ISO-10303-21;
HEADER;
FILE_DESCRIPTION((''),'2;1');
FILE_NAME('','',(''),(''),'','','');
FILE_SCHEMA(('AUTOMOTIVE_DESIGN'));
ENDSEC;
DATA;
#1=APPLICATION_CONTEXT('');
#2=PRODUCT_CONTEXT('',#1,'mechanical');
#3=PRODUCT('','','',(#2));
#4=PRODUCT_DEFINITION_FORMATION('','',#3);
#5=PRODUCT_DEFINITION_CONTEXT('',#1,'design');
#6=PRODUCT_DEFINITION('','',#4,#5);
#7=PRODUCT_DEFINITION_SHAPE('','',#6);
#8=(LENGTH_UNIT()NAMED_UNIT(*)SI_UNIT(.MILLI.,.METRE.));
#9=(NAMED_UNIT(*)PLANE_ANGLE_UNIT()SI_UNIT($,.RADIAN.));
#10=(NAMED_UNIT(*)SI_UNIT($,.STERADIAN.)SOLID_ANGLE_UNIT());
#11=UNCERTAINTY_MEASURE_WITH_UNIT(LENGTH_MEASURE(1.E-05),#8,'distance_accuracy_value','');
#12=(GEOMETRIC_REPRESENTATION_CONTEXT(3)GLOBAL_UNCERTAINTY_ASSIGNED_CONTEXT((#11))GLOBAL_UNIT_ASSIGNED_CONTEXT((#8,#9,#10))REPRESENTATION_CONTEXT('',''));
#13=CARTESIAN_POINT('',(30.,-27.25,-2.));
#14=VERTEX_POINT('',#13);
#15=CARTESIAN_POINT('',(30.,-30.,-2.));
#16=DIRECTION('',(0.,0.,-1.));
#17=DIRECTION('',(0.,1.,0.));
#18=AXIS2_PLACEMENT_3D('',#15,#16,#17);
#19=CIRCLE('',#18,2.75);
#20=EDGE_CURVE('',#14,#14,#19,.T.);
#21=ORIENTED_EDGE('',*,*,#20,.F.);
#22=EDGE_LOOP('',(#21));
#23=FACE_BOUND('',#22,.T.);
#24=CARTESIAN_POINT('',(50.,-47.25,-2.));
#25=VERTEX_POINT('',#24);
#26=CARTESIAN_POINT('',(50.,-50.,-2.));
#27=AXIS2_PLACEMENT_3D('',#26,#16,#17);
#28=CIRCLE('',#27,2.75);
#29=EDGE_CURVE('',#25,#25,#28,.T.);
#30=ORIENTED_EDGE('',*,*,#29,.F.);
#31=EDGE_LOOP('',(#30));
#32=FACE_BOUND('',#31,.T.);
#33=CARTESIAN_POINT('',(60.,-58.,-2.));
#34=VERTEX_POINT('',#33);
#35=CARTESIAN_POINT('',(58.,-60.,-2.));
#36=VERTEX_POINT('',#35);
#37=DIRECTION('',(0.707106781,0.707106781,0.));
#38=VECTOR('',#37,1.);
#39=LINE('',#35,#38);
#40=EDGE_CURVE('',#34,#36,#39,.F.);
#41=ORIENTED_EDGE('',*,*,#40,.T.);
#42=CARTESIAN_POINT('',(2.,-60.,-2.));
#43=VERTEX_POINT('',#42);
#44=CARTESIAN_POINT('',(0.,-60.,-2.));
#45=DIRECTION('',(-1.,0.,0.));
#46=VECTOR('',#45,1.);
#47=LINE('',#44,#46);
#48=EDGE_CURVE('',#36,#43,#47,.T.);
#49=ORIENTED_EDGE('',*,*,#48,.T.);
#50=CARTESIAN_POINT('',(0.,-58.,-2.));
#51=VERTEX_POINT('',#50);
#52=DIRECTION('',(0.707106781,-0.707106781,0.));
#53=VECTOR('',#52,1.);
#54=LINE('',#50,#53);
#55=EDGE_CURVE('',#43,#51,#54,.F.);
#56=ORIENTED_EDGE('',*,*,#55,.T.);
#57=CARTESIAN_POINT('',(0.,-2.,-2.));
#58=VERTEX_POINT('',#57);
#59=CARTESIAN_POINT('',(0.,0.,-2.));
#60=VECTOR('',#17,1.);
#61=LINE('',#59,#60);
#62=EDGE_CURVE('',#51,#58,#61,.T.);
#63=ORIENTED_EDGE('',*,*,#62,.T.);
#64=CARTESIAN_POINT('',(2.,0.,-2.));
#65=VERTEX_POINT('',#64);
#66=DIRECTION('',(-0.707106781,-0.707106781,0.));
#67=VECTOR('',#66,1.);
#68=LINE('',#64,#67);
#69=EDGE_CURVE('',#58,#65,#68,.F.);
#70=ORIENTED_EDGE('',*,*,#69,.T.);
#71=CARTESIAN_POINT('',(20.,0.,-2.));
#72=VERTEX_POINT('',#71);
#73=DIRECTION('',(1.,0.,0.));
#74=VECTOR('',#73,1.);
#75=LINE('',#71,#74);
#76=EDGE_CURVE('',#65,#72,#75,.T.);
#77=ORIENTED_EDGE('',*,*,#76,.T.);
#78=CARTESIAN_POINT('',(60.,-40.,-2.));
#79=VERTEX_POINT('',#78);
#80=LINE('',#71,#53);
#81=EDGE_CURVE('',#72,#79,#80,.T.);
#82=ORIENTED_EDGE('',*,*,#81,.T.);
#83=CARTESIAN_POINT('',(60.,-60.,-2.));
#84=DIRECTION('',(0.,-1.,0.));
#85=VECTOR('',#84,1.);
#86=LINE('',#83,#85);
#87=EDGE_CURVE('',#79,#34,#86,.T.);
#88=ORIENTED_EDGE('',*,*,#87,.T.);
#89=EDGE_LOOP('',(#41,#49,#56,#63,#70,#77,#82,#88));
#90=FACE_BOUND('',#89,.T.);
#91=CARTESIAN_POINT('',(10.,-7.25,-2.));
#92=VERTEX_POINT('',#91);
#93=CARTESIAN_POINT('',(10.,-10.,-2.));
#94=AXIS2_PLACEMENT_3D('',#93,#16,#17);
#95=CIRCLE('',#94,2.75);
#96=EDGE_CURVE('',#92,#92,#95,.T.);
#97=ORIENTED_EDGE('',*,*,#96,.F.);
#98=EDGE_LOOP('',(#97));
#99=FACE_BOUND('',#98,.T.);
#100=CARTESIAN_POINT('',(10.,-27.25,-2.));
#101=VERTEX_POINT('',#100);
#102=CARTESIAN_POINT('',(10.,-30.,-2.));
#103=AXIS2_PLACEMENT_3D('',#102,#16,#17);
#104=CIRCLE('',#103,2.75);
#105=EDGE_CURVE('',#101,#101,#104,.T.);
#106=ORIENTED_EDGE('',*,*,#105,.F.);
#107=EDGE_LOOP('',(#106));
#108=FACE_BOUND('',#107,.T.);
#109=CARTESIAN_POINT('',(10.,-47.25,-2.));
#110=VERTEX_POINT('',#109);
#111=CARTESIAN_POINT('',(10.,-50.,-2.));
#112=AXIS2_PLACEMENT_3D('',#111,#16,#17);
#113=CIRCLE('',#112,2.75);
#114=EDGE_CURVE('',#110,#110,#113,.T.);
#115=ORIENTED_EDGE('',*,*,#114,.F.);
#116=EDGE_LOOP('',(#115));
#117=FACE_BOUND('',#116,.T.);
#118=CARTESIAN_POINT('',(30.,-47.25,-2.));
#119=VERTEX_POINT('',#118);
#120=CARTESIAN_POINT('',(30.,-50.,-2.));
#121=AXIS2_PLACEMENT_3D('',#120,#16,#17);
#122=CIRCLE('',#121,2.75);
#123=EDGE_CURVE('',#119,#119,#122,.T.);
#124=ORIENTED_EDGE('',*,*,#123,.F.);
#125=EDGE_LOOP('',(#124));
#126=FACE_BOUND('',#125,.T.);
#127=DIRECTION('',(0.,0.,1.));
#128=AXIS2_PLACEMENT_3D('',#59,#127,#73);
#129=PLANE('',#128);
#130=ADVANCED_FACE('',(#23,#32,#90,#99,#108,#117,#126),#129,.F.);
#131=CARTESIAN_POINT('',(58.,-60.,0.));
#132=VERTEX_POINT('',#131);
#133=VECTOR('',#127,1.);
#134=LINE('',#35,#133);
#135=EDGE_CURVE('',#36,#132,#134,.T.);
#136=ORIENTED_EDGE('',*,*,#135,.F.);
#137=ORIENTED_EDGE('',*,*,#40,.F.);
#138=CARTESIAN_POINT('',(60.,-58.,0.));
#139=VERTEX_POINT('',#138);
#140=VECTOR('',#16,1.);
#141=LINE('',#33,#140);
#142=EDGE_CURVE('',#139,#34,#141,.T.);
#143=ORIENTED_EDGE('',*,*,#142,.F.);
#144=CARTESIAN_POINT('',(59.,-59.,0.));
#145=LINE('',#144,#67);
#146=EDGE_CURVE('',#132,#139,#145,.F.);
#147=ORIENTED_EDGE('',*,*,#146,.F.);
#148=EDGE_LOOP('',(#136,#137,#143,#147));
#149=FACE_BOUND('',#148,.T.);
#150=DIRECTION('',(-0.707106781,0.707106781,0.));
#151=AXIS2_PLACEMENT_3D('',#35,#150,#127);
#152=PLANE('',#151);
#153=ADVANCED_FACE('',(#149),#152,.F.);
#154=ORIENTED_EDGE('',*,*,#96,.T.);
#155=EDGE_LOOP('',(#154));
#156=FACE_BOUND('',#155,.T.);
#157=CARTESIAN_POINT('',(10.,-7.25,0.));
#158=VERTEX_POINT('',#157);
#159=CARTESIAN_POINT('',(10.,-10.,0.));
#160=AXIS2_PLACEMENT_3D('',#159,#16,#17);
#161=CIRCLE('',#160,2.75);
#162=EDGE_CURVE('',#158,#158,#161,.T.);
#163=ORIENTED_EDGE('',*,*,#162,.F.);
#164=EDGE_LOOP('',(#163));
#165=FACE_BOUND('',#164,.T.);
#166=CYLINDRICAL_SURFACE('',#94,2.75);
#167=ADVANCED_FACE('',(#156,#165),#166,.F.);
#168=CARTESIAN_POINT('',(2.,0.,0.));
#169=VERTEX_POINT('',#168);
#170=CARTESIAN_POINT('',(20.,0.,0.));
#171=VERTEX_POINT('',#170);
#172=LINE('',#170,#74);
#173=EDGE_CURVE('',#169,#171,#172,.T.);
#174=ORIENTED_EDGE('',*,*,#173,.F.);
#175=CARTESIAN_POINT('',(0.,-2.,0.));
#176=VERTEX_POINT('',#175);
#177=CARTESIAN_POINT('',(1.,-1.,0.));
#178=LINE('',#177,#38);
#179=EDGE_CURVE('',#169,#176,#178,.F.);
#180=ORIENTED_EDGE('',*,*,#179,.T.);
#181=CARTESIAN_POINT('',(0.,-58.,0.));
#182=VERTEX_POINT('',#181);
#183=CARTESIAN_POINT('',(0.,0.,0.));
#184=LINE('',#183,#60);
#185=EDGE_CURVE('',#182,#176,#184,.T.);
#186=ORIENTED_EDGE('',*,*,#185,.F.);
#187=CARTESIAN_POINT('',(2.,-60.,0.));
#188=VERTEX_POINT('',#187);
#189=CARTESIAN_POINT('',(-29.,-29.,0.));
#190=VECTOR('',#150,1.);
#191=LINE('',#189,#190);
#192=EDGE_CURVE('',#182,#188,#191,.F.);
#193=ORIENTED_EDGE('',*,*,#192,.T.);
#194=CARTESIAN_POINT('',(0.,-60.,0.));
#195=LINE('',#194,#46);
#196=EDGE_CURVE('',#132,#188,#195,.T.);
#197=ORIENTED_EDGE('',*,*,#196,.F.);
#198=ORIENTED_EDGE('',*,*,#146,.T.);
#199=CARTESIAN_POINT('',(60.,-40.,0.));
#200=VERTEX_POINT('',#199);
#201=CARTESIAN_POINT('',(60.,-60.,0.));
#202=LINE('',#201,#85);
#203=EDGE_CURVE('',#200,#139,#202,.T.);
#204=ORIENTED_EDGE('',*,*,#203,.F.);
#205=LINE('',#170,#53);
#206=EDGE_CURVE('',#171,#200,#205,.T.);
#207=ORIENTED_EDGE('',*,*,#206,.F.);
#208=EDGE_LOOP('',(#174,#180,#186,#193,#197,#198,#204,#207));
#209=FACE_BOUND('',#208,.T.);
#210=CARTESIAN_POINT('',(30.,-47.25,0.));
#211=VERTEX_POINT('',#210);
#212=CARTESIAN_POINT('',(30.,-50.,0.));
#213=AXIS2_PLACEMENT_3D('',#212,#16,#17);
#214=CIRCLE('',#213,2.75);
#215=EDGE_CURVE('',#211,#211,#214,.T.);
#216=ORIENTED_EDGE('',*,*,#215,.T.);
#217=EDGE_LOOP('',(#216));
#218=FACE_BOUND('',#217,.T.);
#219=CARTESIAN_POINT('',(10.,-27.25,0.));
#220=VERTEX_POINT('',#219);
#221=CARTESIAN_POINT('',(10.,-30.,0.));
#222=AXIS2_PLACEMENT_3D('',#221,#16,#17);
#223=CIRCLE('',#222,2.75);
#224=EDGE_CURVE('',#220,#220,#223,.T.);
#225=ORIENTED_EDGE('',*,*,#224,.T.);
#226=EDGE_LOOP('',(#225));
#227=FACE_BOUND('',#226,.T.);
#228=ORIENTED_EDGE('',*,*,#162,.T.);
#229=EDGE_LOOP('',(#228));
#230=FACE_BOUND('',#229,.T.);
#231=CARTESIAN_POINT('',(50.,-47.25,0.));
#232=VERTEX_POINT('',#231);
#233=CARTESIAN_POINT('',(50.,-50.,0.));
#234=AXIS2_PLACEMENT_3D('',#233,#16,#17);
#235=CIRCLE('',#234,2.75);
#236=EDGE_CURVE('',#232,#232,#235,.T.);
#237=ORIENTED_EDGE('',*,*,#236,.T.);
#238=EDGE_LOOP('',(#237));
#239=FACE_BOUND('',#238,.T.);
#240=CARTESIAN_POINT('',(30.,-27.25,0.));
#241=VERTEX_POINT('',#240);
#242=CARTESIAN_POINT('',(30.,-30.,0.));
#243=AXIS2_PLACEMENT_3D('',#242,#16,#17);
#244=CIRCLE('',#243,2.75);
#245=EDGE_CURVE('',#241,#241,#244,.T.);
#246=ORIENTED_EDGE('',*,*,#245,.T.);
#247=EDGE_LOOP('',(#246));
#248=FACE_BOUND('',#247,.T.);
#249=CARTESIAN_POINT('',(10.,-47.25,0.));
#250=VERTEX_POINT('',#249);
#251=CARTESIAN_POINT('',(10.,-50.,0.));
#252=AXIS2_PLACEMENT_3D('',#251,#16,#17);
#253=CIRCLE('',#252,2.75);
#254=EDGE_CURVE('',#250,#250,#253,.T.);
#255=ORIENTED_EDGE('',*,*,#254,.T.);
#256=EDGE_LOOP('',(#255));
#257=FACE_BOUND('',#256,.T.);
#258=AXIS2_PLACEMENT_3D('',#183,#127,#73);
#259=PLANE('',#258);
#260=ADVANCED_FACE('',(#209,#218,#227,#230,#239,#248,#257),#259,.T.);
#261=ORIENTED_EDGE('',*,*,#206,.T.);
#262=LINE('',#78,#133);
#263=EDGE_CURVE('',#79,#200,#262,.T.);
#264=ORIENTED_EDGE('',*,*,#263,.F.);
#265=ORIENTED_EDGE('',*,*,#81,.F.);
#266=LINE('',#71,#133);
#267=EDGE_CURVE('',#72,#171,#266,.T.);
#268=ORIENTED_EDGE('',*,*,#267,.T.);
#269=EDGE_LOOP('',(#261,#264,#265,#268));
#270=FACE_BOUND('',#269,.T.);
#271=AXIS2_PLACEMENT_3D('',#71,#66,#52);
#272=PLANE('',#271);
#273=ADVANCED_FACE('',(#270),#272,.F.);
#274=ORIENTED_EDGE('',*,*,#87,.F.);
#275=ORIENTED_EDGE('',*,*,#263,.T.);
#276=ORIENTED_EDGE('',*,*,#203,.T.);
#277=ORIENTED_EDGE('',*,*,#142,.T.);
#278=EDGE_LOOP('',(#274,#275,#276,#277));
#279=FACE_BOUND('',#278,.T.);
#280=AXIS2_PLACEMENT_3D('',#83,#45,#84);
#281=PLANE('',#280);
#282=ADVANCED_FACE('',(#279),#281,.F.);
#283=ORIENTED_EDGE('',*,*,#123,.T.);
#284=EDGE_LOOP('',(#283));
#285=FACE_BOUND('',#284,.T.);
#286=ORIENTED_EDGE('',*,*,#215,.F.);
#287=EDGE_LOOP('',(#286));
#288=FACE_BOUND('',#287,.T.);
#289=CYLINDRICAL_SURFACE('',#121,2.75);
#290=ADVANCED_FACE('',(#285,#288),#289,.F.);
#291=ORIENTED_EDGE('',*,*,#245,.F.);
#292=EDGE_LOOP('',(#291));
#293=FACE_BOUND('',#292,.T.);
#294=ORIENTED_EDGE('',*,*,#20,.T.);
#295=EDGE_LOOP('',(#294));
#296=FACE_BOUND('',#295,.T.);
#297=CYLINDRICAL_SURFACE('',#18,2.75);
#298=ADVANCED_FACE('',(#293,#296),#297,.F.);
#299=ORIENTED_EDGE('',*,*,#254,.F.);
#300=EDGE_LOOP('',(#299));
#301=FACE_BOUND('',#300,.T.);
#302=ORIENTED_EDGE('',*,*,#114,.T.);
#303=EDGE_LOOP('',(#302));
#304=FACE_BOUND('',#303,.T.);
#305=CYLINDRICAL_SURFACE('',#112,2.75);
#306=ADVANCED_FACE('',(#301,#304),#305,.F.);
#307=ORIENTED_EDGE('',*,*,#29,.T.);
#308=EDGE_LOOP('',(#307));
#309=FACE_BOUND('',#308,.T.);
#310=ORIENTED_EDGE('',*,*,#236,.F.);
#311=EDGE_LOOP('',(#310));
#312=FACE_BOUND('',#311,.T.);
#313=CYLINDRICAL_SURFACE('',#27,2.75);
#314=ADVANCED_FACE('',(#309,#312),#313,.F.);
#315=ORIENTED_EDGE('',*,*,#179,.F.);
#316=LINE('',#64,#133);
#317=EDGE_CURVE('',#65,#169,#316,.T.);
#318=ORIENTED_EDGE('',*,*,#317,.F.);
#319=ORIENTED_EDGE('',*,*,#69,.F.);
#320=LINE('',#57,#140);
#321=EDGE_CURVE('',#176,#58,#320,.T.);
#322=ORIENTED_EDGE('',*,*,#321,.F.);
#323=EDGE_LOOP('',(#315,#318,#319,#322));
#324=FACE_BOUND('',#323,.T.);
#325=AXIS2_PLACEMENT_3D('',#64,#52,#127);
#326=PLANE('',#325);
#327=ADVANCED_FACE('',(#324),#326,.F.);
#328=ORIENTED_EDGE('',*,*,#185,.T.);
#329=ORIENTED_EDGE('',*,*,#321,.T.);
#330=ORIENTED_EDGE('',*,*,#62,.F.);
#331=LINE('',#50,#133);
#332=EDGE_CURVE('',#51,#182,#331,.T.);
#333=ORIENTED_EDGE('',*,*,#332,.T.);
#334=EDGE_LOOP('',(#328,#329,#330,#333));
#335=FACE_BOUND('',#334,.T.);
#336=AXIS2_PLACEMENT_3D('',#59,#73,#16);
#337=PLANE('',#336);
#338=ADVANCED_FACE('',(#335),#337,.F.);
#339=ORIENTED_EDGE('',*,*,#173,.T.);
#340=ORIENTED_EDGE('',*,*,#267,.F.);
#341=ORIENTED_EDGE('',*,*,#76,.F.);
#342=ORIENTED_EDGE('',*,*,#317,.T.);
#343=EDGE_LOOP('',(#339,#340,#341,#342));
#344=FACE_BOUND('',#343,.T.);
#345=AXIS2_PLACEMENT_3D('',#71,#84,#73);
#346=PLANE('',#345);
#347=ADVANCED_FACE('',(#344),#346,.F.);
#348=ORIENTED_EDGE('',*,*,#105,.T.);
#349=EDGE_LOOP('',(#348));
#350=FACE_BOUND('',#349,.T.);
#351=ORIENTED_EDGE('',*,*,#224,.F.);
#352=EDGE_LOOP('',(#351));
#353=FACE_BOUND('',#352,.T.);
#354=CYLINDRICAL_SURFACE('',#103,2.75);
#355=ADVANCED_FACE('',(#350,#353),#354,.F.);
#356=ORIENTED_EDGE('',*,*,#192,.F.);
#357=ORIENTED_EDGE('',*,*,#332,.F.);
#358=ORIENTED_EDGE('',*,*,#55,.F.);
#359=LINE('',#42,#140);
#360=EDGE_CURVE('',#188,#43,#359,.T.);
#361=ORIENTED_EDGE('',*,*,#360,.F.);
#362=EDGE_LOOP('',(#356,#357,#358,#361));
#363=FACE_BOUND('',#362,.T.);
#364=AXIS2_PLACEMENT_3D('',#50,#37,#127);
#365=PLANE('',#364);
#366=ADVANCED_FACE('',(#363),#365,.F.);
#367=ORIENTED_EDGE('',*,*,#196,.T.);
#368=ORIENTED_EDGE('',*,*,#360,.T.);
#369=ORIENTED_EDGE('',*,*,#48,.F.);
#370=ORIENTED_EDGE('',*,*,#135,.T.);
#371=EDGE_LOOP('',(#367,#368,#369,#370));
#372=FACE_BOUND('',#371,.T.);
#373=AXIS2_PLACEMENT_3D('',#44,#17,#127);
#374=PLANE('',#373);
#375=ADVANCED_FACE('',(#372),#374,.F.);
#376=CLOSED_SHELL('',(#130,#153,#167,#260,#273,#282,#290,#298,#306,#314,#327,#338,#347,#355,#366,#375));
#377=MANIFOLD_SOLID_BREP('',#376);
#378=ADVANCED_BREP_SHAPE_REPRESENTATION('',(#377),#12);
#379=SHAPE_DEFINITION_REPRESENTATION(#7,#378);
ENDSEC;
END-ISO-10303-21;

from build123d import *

# Parameters (mm, degrees)
EXTRUDE_1_DEPTH   = 2
HOLE_WIZARD_M51_D = 5.5
CHAMFER_1_SIZE    = 2


with BuildPart() as part:
    # Эскиз1 → Бобышка-Вытянуть1 (new body)
    with BuildSketch(Plane(origin=(0, 0, 0), x_dir=(1, 0, 0), z_dir=(0, 0, -1))):
        Polygon((0, 0), (0, 60), (60, 60), (60, 40), (20, 0), align=None)
    extrude(amount=EXTRUDE_1_DEPTH)

    # Отверстие с зазором M51 (through all)
    with Locations(Plane(origin=(0, 0, -2), x_dir=(1, 0, 0), z_dir=(0, 0, -1))):
        with Locations((30, 50), (10, 50), (10, 30), (10, 10), (50, 50), (30, 30)):
            Hole(HOLE_WIZARD_M51_D / 2)

    # Фаска1
    chamfer_1_edges = [part.edges().sort_by_distance(p)[0] for p in [
        (0, 0, -1),
        (0, -60, -1),
        (60, -60, -1),
    ]]
    chamfer(chamfer_1_edges, length=CHAMFER_1_SIZE)


solid = part.part
